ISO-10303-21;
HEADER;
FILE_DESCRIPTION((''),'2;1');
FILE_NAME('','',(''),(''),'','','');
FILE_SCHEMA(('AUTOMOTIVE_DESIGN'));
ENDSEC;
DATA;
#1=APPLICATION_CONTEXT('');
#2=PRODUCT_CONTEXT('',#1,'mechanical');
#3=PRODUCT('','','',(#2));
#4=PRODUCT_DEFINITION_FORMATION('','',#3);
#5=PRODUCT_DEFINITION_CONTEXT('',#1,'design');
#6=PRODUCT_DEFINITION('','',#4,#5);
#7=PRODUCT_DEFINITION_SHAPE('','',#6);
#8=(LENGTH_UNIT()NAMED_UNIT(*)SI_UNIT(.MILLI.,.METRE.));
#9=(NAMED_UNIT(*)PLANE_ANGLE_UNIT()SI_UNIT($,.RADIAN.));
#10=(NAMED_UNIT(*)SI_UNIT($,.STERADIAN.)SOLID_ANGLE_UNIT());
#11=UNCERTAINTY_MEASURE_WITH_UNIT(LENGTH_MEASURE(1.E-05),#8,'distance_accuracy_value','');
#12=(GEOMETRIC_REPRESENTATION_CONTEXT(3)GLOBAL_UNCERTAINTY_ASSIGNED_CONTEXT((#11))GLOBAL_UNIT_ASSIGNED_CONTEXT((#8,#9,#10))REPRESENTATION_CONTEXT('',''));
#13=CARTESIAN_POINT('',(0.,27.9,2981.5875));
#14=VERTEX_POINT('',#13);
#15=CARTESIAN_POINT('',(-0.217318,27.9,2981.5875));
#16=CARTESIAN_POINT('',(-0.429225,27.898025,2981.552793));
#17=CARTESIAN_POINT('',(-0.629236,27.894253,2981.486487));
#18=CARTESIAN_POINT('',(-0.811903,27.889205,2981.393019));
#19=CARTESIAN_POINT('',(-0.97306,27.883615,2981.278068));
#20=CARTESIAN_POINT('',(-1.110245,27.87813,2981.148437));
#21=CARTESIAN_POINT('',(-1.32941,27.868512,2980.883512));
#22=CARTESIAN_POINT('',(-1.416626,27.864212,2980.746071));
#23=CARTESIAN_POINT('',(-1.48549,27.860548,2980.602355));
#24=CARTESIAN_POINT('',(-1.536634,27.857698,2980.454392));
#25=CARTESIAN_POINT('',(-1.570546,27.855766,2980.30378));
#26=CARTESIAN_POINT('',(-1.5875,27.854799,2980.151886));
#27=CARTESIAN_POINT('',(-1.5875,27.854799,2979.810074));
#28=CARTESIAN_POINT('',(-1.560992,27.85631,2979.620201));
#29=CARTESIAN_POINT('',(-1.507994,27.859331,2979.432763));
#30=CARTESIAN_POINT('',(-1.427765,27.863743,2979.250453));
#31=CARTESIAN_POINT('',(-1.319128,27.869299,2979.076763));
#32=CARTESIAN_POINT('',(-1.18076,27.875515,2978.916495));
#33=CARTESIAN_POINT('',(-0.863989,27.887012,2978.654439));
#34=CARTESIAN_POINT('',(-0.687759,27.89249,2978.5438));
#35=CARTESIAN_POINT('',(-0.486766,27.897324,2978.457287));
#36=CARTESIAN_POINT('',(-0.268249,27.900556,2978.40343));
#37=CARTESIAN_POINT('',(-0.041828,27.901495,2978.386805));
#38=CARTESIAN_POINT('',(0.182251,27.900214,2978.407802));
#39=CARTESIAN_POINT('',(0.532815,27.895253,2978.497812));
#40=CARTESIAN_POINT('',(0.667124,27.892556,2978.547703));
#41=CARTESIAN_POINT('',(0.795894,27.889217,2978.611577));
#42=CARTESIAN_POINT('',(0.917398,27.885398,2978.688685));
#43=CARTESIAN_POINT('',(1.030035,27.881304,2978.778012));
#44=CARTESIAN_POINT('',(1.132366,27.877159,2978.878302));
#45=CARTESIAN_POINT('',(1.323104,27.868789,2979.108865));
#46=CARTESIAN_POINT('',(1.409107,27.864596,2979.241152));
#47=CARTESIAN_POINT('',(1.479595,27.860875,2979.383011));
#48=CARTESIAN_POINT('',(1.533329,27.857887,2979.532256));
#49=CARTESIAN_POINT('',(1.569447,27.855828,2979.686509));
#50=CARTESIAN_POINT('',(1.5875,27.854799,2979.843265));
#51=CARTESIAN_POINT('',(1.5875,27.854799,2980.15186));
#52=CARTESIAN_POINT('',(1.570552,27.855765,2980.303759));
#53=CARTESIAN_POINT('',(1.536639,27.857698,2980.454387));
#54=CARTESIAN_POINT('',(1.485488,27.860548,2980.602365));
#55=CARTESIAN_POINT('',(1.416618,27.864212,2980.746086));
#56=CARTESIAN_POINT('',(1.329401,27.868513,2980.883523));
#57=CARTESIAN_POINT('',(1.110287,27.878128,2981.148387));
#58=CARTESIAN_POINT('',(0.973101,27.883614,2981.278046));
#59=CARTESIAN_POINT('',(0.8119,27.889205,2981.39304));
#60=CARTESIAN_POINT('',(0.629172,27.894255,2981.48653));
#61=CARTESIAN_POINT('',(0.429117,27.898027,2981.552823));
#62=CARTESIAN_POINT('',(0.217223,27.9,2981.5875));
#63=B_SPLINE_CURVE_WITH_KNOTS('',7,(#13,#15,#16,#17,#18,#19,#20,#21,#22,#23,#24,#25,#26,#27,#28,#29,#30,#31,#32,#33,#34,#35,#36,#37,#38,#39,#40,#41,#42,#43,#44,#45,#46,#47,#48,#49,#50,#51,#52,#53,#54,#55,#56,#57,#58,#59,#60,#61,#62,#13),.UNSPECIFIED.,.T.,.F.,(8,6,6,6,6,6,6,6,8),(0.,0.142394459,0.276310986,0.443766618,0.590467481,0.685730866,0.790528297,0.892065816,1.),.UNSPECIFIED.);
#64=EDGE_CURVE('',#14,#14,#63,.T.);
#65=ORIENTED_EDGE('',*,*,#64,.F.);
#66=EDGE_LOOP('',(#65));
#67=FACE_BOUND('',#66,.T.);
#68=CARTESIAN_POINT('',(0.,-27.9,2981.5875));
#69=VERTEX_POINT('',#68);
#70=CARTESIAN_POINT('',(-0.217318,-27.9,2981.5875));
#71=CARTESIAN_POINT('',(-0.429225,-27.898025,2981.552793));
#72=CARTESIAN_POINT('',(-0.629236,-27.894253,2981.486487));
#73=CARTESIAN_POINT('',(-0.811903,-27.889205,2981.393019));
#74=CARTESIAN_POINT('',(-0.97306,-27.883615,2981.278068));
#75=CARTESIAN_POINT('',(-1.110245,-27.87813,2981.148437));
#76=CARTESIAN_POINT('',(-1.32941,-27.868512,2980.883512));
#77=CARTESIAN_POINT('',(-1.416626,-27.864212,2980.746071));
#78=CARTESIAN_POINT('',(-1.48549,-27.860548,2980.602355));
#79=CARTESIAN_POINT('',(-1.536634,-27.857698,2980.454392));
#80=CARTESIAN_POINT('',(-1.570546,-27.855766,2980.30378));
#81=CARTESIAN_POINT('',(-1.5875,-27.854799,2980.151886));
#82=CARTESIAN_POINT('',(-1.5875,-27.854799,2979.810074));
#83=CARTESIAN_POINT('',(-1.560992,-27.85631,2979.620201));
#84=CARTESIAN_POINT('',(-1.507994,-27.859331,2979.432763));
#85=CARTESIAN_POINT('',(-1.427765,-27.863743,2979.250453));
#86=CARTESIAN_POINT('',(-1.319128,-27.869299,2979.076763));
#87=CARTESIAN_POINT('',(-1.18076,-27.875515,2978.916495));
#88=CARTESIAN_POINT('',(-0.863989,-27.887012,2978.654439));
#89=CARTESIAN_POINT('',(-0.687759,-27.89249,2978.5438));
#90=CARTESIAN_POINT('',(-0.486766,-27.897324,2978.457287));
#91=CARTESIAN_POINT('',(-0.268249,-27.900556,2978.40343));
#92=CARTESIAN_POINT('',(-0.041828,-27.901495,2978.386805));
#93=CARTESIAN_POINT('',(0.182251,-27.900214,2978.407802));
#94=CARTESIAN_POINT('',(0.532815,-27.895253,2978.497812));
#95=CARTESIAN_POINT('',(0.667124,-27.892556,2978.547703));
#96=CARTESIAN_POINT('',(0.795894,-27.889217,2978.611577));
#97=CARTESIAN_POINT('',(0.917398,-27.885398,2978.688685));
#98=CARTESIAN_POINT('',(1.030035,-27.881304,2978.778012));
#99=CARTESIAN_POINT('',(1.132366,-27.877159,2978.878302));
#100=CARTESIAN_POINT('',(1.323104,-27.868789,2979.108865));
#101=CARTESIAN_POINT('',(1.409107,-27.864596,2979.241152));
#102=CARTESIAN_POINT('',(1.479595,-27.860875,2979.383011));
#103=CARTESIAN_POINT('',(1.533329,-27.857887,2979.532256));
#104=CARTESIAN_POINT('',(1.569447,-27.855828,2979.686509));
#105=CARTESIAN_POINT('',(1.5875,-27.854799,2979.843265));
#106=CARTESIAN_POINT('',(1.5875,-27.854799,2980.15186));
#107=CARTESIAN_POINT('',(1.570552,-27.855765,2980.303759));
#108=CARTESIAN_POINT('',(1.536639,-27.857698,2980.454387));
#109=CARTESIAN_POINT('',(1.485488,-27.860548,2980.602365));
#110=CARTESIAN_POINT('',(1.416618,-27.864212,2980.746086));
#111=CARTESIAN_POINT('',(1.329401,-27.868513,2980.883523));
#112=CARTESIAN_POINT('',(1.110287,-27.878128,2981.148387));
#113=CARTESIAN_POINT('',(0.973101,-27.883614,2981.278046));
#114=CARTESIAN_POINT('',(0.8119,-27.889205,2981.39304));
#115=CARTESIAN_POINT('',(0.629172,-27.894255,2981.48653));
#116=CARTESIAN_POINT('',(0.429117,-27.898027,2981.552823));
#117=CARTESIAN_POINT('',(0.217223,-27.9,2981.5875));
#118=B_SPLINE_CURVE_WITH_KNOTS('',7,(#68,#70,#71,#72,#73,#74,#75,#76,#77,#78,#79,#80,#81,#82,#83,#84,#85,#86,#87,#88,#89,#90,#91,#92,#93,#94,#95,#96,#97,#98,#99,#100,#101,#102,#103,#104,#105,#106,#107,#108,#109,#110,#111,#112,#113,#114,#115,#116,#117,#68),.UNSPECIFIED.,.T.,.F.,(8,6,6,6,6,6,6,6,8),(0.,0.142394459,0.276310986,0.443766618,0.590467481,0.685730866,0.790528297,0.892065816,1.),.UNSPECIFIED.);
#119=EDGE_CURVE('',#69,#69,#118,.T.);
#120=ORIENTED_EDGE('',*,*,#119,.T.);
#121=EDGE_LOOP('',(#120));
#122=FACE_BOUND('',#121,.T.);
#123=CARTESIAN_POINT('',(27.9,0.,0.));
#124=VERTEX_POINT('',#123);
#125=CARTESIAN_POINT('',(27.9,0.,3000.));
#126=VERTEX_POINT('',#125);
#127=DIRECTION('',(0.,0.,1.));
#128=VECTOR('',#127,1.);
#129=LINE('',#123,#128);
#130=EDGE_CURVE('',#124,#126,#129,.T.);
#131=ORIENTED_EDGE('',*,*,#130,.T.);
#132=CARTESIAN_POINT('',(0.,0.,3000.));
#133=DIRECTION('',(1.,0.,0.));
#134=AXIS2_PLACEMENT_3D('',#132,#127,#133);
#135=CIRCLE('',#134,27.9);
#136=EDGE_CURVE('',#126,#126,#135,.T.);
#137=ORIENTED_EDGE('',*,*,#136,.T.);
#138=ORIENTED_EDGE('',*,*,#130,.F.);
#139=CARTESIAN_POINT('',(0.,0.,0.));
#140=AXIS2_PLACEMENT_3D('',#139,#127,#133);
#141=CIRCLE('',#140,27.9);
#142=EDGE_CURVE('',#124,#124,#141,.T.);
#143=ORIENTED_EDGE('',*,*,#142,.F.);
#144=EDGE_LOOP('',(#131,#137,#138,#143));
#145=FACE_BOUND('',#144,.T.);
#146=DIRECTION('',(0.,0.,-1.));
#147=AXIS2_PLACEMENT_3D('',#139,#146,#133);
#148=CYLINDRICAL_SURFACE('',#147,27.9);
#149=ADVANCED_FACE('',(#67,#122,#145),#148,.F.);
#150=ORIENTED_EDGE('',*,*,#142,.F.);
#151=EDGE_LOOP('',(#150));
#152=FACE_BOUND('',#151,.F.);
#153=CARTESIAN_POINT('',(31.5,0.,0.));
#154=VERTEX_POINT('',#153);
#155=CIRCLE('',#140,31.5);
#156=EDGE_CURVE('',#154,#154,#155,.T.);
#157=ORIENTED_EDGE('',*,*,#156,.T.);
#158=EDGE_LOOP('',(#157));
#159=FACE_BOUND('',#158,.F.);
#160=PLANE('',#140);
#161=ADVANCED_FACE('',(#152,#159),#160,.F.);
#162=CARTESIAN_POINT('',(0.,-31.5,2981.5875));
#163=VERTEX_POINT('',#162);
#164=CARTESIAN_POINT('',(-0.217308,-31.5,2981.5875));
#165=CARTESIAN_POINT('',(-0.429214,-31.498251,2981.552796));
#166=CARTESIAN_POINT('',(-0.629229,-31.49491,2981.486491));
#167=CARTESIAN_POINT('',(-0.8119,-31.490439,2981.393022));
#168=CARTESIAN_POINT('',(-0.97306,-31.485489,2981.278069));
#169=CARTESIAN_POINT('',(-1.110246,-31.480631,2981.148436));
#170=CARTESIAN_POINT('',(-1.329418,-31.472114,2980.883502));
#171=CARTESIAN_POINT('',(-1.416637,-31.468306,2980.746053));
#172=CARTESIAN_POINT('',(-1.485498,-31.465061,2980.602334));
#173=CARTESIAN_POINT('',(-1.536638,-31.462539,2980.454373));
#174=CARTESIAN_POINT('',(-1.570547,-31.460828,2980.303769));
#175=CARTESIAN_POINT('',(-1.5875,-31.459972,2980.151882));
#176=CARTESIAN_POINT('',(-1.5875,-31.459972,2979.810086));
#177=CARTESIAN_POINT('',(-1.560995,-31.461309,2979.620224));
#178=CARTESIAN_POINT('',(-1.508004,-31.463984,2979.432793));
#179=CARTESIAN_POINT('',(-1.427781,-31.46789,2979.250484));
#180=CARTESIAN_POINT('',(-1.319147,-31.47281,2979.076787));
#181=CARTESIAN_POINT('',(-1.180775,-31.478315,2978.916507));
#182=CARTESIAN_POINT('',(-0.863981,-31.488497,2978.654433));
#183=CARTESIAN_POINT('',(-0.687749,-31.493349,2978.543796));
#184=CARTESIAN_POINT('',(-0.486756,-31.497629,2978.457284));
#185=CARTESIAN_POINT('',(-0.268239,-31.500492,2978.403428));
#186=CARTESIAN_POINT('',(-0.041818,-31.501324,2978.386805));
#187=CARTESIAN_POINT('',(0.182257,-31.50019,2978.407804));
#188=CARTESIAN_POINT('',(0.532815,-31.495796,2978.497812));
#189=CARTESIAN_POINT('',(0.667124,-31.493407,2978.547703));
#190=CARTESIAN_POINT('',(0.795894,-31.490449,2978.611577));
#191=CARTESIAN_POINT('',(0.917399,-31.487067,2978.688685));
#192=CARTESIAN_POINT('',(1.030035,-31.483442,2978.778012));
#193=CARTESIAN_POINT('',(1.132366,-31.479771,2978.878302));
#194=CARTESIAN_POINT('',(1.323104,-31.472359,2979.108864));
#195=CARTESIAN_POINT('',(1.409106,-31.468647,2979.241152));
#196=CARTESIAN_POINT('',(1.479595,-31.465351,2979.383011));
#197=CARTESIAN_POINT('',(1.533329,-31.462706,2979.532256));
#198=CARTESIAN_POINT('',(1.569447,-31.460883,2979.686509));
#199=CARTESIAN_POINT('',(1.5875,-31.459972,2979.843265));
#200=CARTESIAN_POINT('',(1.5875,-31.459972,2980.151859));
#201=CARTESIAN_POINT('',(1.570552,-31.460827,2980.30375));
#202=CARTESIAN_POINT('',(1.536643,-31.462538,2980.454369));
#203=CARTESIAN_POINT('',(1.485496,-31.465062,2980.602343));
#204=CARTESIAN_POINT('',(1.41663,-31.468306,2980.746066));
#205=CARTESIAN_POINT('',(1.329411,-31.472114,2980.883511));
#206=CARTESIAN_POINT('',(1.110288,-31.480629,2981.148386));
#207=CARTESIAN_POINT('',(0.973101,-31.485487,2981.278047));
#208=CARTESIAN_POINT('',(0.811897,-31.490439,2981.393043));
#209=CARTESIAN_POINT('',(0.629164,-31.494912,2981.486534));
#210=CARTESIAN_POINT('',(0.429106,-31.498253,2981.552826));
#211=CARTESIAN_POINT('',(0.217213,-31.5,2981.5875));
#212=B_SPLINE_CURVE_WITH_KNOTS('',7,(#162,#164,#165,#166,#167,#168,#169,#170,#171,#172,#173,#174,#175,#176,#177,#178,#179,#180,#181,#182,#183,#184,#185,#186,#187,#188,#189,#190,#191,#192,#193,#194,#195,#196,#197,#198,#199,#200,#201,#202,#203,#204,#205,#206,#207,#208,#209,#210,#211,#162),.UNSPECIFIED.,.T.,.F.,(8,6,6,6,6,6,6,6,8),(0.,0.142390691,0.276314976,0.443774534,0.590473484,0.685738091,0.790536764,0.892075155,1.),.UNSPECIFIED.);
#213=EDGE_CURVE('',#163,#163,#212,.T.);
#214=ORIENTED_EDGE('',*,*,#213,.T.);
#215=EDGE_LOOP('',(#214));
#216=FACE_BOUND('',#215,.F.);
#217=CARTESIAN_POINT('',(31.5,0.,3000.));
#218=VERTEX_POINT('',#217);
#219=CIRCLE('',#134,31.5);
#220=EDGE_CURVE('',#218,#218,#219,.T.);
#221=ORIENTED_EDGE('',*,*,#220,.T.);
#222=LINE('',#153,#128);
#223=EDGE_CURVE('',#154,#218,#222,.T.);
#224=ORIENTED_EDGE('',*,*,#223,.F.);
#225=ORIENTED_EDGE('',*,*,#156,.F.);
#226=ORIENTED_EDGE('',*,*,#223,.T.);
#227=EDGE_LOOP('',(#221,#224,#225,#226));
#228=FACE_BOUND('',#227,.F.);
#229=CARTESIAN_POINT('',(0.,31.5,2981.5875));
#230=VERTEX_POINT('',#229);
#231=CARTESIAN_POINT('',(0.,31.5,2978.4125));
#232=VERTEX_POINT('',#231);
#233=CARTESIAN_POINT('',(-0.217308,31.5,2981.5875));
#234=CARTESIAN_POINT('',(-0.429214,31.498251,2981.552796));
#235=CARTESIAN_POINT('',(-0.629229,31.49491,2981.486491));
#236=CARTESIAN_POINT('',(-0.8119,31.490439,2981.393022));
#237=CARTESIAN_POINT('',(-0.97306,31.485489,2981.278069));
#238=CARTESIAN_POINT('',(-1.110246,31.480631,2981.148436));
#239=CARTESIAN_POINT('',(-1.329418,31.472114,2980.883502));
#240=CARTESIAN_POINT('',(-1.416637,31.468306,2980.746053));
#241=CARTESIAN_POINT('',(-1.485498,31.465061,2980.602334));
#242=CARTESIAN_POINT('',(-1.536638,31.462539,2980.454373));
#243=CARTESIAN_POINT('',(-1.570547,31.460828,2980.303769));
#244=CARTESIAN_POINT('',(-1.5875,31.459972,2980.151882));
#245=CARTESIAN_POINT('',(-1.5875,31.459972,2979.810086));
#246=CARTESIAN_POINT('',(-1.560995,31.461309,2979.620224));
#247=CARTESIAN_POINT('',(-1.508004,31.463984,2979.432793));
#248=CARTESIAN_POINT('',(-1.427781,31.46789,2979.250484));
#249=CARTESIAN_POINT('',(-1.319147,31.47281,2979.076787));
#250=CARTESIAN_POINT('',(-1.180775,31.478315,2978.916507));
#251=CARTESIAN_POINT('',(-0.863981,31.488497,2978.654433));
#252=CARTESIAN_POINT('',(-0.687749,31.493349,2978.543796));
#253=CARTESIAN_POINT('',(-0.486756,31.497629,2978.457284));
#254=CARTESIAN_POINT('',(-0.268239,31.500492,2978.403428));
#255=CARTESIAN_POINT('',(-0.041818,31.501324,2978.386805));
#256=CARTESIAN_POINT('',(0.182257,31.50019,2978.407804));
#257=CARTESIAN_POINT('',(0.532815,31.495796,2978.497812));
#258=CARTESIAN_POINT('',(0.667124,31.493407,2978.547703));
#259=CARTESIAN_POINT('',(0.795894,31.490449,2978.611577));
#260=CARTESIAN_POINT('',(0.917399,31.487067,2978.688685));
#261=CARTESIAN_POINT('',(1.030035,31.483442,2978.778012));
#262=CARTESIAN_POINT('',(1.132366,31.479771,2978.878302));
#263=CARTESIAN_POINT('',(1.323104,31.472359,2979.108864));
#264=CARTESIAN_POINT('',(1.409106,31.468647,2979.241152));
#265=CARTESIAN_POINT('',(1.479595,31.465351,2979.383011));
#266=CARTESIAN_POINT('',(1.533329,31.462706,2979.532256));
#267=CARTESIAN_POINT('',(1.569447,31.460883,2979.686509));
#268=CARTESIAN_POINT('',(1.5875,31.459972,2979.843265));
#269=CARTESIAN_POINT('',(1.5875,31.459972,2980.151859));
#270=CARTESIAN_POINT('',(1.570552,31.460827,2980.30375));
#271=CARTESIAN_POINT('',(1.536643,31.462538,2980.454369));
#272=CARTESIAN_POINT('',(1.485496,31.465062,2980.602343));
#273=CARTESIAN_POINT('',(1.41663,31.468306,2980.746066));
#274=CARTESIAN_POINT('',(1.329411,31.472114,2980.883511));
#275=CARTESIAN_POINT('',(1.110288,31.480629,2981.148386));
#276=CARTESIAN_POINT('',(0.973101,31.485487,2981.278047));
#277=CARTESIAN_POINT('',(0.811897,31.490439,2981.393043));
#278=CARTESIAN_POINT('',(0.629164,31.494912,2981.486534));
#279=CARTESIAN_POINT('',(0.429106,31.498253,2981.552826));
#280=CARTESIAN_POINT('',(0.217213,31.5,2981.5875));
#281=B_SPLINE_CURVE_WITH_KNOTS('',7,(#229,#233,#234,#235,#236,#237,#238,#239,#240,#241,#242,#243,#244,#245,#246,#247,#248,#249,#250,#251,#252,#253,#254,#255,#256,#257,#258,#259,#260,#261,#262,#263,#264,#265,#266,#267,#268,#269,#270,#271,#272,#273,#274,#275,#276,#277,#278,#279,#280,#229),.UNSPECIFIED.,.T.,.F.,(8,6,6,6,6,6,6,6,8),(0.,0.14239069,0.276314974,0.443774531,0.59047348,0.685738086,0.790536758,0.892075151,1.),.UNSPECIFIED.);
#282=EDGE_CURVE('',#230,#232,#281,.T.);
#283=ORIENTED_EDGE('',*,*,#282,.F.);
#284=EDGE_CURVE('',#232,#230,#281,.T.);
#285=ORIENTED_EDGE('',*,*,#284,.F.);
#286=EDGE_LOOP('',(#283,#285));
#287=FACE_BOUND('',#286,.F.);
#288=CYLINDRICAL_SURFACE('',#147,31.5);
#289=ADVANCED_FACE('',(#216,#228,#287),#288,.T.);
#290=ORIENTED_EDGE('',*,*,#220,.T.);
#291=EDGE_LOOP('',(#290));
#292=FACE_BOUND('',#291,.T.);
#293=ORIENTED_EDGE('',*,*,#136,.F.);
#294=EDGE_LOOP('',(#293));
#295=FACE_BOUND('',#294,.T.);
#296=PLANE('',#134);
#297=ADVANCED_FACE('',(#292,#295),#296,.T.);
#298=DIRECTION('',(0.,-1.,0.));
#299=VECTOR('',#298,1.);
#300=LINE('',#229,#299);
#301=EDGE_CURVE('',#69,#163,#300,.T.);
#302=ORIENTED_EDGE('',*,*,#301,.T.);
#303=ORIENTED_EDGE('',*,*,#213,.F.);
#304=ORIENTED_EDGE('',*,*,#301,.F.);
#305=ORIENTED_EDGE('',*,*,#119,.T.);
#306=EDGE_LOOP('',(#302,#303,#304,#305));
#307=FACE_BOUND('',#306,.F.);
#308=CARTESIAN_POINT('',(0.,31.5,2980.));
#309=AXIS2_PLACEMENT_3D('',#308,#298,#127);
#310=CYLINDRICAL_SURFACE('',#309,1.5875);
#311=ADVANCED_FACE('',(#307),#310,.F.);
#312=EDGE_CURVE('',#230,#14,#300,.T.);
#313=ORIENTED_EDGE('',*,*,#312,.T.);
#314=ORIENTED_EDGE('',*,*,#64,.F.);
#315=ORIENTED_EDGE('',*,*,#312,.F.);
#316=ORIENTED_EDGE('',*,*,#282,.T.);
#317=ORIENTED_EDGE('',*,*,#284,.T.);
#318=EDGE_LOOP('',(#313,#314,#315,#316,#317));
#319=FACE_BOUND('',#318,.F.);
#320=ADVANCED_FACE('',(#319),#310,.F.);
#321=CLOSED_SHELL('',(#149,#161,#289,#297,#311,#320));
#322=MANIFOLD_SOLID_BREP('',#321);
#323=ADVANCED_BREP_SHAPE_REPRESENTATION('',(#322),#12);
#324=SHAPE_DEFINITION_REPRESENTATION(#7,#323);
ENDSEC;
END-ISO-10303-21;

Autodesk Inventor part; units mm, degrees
ref_plane "YZ Plane" through (0, 0, 0) normal (1, 0, 0) x (0, 1, 0)
ref_plane "XZ Plane" through (0, 0, 0) normal (0, 1, 0) x (-1, 0, 0)
sketch "Sketch1" plane through (0, 0, 0) normal (0, 0, 1) x (1, 0, 0)
  circle A0 centre (0, 0) radius 31.5
  circle A1 centre (0, 0) radius 27.9
  dimension "d0" = 63
  dimension "d2" = 3.6
extrude "Extrusion1" add sketch "Sketch1" along normal blind 3000
sketch "Sketch4" plane through (0, 0, 3000) normal (0, 0, 1) x (1, 0, 0)
  circle A0 centre (0, 0) radius 27.9 projected
  circle A1 centre (0, 0) radius 31.5 projected
  point P0 (0, 31.5)
ref_plane "Work Plane2" through (0, 31.5, 3000) normal (0, 1, 0) x (-1, 0, 0)
sketch "Sketch5" plane through (0, 31.5, 3000) normal (0, 1, 0) x (-1, 0, 0)
  circle A0 centre (0, -20) radius 2.0895
  line L0 (31.5, 0) -> (-31.5, 0) projected
  point P0 (0, -3000)
  dimension "d16" = 20
hole "Hole2" at (0, 31.5, 2980) direction (0, -1, 0) diameter 3.175 end through all
properties part number "2p5rss" material "PVC-Piping"
